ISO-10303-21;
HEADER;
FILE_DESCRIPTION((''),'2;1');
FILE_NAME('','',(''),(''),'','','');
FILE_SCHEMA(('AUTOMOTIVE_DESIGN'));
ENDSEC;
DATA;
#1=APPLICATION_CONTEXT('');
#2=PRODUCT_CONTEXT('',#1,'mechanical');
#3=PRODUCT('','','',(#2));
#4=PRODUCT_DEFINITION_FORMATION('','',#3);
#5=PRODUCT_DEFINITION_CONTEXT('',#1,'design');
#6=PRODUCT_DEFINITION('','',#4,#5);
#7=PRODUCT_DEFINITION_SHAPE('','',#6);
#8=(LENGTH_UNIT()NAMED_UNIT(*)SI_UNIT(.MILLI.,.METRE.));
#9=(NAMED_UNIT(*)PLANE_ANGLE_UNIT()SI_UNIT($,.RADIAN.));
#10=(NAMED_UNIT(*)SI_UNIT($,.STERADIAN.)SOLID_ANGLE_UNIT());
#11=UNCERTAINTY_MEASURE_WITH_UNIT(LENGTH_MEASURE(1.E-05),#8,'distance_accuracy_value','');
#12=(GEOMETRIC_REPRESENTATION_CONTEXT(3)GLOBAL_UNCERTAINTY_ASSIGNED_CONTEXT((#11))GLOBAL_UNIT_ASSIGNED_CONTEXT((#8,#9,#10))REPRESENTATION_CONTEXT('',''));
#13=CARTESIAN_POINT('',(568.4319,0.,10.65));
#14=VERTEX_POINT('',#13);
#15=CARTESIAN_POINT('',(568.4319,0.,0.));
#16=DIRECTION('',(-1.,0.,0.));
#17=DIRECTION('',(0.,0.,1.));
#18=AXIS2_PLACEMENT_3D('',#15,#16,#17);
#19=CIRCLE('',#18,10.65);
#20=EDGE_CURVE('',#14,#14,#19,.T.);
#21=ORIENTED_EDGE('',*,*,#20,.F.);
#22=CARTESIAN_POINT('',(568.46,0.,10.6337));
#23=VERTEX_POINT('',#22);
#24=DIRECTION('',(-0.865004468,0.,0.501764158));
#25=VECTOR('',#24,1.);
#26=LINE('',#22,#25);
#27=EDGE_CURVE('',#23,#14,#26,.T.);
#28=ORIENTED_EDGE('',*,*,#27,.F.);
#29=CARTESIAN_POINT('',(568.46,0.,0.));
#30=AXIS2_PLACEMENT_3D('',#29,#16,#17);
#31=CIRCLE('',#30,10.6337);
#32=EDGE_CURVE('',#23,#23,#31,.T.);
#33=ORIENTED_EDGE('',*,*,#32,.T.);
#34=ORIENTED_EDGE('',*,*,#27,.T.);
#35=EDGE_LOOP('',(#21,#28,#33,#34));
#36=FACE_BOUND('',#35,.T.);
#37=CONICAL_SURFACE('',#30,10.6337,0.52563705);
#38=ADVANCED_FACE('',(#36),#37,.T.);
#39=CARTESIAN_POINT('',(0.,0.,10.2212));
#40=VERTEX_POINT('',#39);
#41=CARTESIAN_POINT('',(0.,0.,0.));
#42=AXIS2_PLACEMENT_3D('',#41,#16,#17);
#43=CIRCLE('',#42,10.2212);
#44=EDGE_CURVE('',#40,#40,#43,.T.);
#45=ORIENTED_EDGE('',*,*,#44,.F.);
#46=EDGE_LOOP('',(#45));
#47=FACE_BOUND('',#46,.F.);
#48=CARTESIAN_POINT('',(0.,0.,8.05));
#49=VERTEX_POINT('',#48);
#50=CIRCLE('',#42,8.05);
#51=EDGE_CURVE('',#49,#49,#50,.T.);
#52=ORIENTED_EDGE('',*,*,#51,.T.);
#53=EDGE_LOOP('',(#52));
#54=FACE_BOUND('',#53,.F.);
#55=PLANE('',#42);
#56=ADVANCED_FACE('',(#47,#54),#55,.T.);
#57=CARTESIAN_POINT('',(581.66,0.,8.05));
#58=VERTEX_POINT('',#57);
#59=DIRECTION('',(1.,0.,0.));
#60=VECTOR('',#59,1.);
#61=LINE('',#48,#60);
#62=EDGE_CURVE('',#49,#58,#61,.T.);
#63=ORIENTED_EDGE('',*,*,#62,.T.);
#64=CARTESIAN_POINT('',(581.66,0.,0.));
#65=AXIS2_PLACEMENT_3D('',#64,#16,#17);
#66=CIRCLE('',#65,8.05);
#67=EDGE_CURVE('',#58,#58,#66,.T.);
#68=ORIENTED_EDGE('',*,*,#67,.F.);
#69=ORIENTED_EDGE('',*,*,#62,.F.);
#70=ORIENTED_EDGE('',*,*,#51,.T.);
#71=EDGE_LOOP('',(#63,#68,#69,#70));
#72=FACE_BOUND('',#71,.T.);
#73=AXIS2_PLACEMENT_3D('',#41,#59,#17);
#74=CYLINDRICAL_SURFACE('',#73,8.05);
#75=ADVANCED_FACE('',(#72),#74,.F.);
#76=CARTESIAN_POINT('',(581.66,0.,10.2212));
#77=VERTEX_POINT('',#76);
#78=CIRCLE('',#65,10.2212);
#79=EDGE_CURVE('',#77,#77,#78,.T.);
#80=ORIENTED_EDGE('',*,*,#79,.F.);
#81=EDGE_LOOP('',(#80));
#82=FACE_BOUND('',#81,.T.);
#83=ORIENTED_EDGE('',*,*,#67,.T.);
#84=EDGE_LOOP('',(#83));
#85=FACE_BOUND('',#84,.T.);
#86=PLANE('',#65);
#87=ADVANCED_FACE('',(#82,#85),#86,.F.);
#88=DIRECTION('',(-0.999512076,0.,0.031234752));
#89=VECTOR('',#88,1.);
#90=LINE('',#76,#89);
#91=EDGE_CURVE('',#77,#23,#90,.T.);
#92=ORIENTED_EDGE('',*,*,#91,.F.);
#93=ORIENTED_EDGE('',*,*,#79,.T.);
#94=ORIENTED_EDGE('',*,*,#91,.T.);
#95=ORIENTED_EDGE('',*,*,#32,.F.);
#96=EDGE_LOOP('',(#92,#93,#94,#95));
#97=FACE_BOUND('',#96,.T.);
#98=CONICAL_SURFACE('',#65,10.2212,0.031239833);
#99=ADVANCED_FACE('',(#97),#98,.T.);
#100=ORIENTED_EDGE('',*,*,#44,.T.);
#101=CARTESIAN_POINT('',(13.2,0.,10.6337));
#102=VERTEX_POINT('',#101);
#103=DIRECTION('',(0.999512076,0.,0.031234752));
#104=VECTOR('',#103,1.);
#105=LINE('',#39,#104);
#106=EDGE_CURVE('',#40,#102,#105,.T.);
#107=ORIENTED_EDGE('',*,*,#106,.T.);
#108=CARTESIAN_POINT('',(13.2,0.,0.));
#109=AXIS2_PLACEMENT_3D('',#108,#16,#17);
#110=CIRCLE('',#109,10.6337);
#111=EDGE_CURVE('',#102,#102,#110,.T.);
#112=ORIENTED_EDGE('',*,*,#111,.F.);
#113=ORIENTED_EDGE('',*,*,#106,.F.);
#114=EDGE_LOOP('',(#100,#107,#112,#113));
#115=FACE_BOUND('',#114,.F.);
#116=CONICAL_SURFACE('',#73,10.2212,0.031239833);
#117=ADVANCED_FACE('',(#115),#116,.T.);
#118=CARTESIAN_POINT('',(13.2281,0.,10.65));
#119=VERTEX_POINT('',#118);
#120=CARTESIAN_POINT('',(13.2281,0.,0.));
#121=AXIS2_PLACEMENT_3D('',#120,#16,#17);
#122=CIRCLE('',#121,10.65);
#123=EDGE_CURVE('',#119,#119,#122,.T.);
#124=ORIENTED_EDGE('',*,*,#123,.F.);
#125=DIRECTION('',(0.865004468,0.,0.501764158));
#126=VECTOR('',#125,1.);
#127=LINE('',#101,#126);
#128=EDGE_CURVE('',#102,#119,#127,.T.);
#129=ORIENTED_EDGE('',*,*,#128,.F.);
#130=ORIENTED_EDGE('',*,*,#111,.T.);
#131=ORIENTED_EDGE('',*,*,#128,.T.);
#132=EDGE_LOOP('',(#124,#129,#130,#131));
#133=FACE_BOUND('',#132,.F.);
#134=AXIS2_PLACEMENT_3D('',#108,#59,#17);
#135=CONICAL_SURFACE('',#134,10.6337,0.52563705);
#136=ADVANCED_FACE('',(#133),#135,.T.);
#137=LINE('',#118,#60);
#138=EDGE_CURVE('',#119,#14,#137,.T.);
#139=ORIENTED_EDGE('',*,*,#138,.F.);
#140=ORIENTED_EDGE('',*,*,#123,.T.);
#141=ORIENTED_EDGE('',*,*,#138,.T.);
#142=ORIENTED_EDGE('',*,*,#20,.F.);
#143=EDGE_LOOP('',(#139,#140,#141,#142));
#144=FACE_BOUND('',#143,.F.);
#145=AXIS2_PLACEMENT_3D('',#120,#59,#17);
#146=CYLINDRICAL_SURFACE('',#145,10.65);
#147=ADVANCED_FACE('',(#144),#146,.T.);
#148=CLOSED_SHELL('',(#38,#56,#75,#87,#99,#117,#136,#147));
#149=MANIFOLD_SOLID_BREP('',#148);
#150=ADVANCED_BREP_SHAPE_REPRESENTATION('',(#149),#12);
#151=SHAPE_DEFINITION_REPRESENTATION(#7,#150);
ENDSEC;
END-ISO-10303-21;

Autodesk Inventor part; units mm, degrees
ref_plane "YZ Plane" through (0, 0, 0) normal (1, 0, 0) x (0, 1, 0)
ref_plane "XZ Plane" through (0, 0, 0) normal (0, 1, 0) x (-1, 0, 0)
ref_plane "XY Plane" through (0, 0, 0) normal (0, 0, 1) x (1, 0, 0)
sketch "Sketch1" plane through (0, 0, 0) normal (0, 1, 0) x (-1, 0, 0)
  line L0 (-581.66, 0) -> (0, 0)
  line L1 (0, 0) -> (0, 8.05) construction
  line L2 (0, 8.05) -> (0, 10.2212)
  line L3 (0, 10.2212) -> (-13.2, 10.6337)
  line L4 (-13.2, 10.6337) -> (-13.2281, 10.65)
  line L5 (-13.2281, 10.65) -> (-568.4319, 10.65)
  line L6 (0, 8.05) -> (-581.66, 8.05)
  line L7 (-290.83, 0) -> (-290.83, 10.65) construction
  line L8 (-581.66, 0) -> (-581.66, 8.05) construction
  line L9 (-581.66, 8.05) -> (-581.66, 10.2212)
  line L10 (-581.66, 10.2212) -> (-568.46, 10.6337)
  line L11 (-568.46, 10.6337) -> (-568.4319, 10.65)
  line L12 (-8.2, 10.4775) -> (-8.2, 0) construction
  line L13 (-13.2, 10.6337) -> (-13.2, 0) construction
  line L14 (-568.46, 10.6337) -> (-568.46, 0) construction
  dimension "d0" = 8.2
  dimension "d1" = 13.2
  dimension "d2" = 1.79
  dimension "d3" = 20.955
  dimension "d4" = 21.3
  dimension "d5" = 2.6
  dimension "d6" = 581.66
  dimension "d7" = 30
revolve "Revolution1" add sketch "Sketch1" angle 360 about axis through (581.66, 0, 0) along (-1, 0, 0)
thread "Thread1" size "R 1/2" standard "ISO Taper" full length
thread "Thread2" size "R 1/2" standard "ISO Taper" full length
equation "\"d0\" = a"
equation "\"d1\" = LT"
equation "\"d3\" = MjD"
equation "\"d4\" = OD"
equation "\"d5\" = T"
equation "\"d6\" = L"
equation "\"OD\" = 21.3"
equation "\"T\" = 2.6"
equation "\"L\" = PL"
equation "\"LT\" = 13.2"
equation "\"ID\" = 16.1"
equation "\"PL\" = 581.66"
equation "\"MjD\" = 20.955"
equation "\"a\" = 8.2"
equation "\"Size_Designation\" = 1.2345"
equation "\"PLmin\" = 2 * LT + T"
properties material "Stainless Steel"
